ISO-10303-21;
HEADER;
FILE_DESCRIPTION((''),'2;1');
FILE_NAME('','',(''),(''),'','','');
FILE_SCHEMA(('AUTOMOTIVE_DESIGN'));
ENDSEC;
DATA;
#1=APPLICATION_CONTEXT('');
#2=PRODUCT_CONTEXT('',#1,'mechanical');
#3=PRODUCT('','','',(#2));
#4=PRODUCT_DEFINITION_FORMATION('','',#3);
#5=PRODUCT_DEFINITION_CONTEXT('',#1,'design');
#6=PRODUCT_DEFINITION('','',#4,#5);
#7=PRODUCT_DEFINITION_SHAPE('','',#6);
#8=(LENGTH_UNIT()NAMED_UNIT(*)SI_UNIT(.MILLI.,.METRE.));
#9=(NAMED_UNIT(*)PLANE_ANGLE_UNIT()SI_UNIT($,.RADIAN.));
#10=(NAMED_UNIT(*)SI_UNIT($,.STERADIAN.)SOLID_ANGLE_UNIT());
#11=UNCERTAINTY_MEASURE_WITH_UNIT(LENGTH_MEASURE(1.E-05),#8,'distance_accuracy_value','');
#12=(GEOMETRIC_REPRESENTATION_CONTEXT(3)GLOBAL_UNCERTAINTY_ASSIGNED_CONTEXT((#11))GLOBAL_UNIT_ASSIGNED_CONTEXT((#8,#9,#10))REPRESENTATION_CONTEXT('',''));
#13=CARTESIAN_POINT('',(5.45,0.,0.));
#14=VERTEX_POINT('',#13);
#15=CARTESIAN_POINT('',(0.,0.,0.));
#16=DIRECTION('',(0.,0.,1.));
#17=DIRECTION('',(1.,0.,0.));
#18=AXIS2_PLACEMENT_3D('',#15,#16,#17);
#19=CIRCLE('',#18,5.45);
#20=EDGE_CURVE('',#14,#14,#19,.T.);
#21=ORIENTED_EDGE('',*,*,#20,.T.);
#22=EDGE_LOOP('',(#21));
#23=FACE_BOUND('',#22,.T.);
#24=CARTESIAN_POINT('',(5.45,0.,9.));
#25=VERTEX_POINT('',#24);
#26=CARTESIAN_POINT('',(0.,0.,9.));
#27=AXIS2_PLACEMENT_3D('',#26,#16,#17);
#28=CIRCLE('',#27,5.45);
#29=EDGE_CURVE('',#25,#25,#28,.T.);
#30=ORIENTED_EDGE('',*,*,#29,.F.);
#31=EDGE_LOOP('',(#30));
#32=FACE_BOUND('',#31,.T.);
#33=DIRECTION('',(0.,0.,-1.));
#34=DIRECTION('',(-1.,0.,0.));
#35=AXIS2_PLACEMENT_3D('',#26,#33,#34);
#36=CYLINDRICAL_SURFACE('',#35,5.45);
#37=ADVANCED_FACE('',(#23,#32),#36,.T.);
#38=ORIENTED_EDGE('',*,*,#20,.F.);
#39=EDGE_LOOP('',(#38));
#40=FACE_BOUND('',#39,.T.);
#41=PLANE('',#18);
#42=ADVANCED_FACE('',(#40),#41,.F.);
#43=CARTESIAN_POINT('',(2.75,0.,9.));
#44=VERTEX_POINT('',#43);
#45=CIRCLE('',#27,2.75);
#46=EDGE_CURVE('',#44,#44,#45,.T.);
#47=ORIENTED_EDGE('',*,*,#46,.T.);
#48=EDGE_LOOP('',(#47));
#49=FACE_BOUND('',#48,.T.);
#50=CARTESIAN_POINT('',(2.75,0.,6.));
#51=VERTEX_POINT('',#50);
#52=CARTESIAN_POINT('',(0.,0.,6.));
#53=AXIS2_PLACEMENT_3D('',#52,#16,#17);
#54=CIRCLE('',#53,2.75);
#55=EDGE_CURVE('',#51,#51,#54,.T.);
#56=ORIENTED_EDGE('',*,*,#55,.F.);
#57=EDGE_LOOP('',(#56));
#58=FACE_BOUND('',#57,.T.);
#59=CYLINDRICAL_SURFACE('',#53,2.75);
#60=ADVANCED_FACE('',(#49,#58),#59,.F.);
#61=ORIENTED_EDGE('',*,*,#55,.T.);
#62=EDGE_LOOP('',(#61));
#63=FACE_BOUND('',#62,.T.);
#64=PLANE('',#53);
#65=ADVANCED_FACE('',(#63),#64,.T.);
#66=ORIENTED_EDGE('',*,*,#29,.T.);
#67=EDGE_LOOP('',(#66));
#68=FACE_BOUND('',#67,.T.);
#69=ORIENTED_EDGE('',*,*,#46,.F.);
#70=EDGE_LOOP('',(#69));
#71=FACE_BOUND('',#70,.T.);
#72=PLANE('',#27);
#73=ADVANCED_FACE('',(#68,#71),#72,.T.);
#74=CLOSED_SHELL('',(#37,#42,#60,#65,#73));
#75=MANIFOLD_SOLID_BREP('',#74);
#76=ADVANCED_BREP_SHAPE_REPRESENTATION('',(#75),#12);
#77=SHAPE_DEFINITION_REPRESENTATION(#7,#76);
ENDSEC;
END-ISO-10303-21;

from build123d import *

# Parameters (mm, degrees)
SKETCH1_R           = 5.45
BOSS_EXTRUDE1_DEPTH = 9
SKETCH2_R           = 2.75
CUT_EXTRUDE1_DEPTH  = 3


with BuildPart() as part:
    # Sketch1 → Boss-Extrude1 (new body)
    with BuildSketch(Plane.XY):
        Circle(SKETCH1_R)
    extrude(amount=BOSS_EXTRUDE1_DEPTH)

    # Sketch2 → Cut-Extrude1 (cut)
    with BuildSketch(Plane.XY.offset(9)):
        Circle(SKETCH2_R)
    extrude(amount=-CUT_EXTRUDE1_DEPTH, mode=Mode.SUBTRACT)


solid = part.part
